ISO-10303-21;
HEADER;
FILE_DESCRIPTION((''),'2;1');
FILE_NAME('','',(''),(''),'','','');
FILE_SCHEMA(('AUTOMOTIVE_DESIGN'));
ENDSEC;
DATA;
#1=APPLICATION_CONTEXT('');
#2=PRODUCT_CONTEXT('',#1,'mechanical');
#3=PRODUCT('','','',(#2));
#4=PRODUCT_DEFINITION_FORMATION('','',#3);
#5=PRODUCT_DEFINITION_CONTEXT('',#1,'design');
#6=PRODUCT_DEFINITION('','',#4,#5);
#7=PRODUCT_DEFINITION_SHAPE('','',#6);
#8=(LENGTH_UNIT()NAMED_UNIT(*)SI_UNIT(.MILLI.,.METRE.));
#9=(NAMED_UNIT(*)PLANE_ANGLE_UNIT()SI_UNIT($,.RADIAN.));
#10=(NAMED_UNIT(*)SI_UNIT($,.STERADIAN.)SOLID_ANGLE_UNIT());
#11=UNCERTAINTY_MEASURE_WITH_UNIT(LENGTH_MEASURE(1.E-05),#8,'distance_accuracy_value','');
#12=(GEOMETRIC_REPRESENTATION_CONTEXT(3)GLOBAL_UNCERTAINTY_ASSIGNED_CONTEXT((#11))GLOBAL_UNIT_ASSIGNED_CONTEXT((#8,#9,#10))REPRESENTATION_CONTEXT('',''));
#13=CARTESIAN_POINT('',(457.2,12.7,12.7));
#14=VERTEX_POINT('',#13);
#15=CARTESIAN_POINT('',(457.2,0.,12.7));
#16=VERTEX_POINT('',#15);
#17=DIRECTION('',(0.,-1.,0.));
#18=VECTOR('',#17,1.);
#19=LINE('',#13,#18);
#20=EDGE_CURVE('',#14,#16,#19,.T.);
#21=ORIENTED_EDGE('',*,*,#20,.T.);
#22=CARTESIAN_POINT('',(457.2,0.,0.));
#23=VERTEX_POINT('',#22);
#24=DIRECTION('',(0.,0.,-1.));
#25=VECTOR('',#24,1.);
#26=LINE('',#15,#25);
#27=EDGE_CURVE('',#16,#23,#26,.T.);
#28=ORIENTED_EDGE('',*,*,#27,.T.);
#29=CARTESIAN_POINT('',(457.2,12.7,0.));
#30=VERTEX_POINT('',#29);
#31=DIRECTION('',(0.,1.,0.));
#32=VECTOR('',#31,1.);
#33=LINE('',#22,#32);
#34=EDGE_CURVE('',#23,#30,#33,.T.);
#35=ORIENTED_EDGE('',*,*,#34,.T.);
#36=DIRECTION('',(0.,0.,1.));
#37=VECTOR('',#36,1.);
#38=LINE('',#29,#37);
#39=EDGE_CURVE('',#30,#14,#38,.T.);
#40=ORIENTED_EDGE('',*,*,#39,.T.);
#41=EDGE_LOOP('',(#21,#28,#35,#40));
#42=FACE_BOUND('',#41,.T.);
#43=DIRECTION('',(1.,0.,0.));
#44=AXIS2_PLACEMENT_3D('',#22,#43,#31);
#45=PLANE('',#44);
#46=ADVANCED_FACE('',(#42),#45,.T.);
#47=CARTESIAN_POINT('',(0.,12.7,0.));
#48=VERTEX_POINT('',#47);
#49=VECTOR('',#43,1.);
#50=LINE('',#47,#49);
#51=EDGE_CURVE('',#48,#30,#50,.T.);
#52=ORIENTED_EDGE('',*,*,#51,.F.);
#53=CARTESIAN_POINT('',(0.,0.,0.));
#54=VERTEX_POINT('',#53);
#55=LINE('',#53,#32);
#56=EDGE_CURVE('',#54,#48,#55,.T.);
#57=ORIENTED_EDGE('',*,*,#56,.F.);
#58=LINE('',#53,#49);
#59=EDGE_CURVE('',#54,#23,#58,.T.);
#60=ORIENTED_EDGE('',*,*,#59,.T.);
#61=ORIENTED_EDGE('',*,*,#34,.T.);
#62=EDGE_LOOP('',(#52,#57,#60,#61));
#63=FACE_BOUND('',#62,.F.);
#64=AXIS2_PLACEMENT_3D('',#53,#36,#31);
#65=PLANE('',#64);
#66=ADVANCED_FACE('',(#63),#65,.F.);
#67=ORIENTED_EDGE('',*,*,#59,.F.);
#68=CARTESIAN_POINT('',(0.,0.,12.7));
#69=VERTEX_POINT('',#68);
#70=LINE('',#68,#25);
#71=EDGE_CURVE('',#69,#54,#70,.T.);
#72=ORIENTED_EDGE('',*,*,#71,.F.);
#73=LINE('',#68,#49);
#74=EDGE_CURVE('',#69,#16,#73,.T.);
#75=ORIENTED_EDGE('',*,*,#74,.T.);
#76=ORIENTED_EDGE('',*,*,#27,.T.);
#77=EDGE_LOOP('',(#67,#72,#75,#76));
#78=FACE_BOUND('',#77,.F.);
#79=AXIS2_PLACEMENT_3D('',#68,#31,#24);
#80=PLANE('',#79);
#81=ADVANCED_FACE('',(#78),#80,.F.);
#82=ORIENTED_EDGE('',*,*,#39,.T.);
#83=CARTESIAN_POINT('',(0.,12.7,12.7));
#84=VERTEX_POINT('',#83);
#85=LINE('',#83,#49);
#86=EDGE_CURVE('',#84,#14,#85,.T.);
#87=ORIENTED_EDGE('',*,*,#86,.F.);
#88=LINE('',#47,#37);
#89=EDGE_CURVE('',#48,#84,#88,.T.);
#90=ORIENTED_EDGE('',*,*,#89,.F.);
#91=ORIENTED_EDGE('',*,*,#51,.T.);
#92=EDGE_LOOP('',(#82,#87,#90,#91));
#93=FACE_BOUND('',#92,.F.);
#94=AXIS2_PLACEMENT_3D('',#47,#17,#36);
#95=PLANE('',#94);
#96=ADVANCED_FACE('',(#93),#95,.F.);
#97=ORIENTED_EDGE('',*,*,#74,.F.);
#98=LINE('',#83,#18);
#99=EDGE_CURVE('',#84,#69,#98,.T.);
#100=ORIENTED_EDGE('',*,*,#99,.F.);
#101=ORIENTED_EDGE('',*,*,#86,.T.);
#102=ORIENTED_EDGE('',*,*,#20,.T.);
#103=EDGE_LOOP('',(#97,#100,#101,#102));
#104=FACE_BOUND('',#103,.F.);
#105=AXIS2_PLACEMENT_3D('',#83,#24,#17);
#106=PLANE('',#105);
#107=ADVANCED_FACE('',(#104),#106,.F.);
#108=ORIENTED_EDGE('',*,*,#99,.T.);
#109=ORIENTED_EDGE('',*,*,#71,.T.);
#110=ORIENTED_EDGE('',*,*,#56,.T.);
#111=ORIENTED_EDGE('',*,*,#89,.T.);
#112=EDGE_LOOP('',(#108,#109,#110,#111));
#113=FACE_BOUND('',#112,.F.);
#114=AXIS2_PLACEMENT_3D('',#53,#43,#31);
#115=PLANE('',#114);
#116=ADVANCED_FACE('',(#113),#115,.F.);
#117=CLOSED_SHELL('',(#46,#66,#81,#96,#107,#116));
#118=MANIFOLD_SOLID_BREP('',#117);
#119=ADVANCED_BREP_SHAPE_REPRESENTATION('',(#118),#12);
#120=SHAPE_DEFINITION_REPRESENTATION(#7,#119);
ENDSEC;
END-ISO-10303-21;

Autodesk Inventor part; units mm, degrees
ref_plane "YZ Plane" through (0, 0, 0) normal (1, 0, 0) x (0, 1, 0)
ref_plane "XZ Plane" through (0, 0, 0) normal (0, 1, 0) x (-1, 0, 0)
ref_plane "XY Plane" through (0, 0, 0) normal (0, 0, 1) x (1, 0, 0)
sketch "Sketch1" plane through (0, 0, 0) normal (1, 0, 0) x (0, 1, 0)
  line L0 (0, 0) -> (12.7, 0)
  line L1 (12.7, 0) -> (12.7, 12.7)
  line L2 (12.7, 12.7) -> (0, 12.7)
  line L3 (0, 12.7) -> (0, 0)
  dimension "d0" = 12.7
  dimension "d1" = 12.7
extrude "Extrusion1" add sketch "Sketch1" along normal blind 457.2
properties part number "Drive Frame"
